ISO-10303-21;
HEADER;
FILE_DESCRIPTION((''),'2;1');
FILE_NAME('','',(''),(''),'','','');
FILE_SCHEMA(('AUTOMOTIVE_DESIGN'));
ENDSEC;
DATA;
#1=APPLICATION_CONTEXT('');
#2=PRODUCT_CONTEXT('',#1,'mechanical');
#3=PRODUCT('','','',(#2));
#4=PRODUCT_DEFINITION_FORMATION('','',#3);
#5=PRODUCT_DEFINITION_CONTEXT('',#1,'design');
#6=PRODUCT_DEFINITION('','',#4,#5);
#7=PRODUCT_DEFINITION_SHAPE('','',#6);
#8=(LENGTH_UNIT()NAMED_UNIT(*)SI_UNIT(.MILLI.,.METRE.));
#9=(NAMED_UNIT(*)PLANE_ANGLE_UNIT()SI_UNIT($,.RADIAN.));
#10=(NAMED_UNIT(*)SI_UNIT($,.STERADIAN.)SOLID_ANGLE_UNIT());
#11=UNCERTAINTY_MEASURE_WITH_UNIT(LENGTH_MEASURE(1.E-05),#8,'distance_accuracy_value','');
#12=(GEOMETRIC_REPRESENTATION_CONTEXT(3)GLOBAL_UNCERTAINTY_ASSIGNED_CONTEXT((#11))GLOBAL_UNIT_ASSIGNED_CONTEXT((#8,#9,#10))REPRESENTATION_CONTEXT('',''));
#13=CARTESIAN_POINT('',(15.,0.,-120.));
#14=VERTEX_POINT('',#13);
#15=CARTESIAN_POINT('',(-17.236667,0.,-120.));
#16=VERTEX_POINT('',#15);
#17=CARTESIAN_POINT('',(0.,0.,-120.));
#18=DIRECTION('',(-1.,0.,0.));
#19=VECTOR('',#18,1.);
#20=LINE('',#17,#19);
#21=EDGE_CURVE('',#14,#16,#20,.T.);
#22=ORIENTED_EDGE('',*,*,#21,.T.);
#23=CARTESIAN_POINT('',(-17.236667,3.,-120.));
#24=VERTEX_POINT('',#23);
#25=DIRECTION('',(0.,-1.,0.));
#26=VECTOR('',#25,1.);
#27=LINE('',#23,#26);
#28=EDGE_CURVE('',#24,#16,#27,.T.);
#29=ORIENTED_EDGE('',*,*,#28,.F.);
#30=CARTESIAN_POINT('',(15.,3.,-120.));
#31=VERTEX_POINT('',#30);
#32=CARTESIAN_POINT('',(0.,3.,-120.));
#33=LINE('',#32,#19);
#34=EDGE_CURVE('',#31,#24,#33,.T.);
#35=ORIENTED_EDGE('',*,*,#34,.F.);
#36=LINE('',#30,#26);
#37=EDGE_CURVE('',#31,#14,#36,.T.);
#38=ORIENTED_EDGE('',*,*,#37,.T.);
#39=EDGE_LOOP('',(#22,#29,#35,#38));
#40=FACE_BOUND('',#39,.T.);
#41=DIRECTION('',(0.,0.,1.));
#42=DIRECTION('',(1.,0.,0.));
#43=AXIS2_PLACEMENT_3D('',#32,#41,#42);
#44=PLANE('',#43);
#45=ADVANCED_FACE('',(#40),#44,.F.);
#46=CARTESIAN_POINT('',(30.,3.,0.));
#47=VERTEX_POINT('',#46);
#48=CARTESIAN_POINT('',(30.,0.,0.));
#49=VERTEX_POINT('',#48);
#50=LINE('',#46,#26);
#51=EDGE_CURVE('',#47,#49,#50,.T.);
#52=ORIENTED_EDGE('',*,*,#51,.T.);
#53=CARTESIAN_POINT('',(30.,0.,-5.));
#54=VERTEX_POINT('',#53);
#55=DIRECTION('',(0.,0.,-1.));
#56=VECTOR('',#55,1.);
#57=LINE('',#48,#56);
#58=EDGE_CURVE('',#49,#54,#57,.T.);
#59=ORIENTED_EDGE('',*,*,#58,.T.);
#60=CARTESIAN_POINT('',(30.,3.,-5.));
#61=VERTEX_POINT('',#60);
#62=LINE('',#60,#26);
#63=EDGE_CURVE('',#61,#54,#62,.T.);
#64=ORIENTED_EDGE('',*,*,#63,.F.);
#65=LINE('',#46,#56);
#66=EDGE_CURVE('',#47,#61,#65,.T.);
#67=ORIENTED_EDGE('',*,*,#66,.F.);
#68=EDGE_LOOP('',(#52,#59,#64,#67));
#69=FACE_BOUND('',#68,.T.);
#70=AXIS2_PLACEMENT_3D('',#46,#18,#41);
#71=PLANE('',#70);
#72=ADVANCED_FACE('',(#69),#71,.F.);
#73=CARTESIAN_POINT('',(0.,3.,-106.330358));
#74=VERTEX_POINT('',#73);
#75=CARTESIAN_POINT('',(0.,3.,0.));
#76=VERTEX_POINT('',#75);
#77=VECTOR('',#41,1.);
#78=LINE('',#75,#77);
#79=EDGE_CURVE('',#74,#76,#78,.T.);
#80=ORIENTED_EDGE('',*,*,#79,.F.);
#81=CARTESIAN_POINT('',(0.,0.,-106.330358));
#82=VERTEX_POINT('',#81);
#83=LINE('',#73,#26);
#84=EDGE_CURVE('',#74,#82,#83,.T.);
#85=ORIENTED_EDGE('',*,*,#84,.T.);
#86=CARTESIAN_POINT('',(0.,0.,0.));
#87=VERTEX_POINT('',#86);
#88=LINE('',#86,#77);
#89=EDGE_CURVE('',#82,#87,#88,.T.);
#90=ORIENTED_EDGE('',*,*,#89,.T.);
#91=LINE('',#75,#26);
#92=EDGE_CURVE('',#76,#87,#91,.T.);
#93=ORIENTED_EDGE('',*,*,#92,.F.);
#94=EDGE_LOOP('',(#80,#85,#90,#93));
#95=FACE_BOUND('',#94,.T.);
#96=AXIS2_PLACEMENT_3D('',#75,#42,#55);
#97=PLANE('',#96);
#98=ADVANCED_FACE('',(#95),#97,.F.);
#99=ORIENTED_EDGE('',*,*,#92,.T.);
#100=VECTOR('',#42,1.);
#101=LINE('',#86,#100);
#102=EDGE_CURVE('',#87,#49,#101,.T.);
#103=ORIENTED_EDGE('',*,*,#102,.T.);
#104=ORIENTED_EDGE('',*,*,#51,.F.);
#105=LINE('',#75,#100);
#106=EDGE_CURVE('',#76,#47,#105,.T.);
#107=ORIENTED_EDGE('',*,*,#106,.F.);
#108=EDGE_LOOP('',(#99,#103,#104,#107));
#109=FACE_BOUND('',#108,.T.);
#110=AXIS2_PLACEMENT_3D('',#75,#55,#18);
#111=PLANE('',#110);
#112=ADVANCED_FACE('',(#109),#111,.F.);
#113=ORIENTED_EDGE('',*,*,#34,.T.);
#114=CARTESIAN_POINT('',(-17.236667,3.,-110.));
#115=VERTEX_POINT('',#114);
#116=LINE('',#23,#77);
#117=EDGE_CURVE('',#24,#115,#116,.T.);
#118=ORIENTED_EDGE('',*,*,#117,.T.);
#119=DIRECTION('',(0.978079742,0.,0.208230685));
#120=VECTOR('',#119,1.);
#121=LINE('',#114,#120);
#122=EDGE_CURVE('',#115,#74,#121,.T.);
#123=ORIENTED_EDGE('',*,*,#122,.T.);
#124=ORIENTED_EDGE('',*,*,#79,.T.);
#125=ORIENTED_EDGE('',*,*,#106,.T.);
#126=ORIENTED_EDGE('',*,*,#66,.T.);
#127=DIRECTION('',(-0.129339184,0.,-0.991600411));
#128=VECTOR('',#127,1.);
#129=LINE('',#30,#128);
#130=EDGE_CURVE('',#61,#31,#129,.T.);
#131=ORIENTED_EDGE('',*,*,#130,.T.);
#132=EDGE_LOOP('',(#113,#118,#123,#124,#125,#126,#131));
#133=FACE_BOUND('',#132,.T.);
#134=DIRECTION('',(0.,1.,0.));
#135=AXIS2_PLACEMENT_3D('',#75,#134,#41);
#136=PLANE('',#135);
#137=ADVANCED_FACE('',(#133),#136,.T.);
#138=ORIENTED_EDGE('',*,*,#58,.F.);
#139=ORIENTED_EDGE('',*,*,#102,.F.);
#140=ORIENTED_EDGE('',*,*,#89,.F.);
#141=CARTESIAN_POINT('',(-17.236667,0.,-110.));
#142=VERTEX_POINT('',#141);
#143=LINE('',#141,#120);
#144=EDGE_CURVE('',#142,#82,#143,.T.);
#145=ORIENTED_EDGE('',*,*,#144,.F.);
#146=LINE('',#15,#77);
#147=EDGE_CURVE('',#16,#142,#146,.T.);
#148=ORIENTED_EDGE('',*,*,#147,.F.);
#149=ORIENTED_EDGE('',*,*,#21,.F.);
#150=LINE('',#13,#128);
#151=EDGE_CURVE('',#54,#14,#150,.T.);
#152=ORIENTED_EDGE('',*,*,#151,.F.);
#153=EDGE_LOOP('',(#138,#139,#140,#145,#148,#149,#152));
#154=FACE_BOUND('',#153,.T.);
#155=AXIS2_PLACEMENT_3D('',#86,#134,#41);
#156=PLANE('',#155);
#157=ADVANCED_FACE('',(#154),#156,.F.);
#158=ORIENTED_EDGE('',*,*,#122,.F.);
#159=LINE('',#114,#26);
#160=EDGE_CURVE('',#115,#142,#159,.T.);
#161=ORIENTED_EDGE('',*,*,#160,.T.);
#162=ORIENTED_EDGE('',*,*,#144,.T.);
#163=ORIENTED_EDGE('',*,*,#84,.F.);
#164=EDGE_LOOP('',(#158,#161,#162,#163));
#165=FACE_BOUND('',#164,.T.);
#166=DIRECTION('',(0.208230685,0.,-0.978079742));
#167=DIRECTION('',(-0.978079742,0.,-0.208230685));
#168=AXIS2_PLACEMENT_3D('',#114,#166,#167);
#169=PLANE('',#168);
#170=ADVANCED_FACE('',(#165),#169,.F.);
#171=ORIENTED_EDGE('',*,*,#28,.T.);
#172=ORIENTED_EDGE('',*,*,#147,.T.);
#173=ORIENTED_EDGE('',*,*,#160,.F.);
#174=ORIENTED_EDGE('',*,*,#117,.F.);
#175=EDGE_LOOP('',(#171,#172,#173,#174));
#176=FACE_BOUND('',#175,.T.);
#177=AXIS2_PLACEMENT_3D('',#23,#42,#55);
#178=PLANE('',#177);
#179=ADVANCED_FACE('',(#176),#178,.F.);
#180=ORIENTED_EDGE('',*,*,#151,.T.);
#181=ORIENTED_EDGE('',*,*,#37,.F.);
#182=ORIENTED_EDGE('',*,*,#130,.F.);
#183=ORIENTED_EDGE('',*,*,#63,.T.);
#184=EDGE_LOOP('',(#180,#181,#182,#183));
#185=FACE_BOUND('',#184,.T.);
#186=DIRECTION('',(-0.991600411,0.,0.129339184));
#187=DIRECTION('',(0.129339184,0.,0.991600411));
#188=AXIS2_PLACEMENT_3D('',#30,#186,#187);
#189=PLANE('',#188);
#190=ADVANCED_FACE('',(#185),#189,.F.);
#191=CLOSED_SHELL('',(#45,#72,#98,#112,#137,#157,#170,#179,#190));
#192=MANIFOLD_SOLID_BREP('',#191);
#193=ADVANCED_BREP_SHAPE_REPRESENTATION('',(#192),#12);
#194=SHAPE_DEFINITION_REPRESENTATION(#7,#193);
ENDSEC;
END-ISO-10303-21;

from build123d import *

# Parameters (mm, degrees)
EXTRUDE_1_DEPTH = 3


with BuildPart() as part:
    # Эскиз1 → Бобышка-Вытянуть1 (new body)
    with BuildSketch(Plane(origin=(0, 0, 0), x_dir=(1, 0, 0), z_dir=(0, 1, 0))):
        Polygon((0, 0), (0, 106.33035752), (-17.23666696, 110), (-17.23666696, 120), (0, 120), (15, 120), (30, 5), (30, 0), align=None)
    extrude(amount=EXTRUDE_1_DEPTH)


solid = part.part
